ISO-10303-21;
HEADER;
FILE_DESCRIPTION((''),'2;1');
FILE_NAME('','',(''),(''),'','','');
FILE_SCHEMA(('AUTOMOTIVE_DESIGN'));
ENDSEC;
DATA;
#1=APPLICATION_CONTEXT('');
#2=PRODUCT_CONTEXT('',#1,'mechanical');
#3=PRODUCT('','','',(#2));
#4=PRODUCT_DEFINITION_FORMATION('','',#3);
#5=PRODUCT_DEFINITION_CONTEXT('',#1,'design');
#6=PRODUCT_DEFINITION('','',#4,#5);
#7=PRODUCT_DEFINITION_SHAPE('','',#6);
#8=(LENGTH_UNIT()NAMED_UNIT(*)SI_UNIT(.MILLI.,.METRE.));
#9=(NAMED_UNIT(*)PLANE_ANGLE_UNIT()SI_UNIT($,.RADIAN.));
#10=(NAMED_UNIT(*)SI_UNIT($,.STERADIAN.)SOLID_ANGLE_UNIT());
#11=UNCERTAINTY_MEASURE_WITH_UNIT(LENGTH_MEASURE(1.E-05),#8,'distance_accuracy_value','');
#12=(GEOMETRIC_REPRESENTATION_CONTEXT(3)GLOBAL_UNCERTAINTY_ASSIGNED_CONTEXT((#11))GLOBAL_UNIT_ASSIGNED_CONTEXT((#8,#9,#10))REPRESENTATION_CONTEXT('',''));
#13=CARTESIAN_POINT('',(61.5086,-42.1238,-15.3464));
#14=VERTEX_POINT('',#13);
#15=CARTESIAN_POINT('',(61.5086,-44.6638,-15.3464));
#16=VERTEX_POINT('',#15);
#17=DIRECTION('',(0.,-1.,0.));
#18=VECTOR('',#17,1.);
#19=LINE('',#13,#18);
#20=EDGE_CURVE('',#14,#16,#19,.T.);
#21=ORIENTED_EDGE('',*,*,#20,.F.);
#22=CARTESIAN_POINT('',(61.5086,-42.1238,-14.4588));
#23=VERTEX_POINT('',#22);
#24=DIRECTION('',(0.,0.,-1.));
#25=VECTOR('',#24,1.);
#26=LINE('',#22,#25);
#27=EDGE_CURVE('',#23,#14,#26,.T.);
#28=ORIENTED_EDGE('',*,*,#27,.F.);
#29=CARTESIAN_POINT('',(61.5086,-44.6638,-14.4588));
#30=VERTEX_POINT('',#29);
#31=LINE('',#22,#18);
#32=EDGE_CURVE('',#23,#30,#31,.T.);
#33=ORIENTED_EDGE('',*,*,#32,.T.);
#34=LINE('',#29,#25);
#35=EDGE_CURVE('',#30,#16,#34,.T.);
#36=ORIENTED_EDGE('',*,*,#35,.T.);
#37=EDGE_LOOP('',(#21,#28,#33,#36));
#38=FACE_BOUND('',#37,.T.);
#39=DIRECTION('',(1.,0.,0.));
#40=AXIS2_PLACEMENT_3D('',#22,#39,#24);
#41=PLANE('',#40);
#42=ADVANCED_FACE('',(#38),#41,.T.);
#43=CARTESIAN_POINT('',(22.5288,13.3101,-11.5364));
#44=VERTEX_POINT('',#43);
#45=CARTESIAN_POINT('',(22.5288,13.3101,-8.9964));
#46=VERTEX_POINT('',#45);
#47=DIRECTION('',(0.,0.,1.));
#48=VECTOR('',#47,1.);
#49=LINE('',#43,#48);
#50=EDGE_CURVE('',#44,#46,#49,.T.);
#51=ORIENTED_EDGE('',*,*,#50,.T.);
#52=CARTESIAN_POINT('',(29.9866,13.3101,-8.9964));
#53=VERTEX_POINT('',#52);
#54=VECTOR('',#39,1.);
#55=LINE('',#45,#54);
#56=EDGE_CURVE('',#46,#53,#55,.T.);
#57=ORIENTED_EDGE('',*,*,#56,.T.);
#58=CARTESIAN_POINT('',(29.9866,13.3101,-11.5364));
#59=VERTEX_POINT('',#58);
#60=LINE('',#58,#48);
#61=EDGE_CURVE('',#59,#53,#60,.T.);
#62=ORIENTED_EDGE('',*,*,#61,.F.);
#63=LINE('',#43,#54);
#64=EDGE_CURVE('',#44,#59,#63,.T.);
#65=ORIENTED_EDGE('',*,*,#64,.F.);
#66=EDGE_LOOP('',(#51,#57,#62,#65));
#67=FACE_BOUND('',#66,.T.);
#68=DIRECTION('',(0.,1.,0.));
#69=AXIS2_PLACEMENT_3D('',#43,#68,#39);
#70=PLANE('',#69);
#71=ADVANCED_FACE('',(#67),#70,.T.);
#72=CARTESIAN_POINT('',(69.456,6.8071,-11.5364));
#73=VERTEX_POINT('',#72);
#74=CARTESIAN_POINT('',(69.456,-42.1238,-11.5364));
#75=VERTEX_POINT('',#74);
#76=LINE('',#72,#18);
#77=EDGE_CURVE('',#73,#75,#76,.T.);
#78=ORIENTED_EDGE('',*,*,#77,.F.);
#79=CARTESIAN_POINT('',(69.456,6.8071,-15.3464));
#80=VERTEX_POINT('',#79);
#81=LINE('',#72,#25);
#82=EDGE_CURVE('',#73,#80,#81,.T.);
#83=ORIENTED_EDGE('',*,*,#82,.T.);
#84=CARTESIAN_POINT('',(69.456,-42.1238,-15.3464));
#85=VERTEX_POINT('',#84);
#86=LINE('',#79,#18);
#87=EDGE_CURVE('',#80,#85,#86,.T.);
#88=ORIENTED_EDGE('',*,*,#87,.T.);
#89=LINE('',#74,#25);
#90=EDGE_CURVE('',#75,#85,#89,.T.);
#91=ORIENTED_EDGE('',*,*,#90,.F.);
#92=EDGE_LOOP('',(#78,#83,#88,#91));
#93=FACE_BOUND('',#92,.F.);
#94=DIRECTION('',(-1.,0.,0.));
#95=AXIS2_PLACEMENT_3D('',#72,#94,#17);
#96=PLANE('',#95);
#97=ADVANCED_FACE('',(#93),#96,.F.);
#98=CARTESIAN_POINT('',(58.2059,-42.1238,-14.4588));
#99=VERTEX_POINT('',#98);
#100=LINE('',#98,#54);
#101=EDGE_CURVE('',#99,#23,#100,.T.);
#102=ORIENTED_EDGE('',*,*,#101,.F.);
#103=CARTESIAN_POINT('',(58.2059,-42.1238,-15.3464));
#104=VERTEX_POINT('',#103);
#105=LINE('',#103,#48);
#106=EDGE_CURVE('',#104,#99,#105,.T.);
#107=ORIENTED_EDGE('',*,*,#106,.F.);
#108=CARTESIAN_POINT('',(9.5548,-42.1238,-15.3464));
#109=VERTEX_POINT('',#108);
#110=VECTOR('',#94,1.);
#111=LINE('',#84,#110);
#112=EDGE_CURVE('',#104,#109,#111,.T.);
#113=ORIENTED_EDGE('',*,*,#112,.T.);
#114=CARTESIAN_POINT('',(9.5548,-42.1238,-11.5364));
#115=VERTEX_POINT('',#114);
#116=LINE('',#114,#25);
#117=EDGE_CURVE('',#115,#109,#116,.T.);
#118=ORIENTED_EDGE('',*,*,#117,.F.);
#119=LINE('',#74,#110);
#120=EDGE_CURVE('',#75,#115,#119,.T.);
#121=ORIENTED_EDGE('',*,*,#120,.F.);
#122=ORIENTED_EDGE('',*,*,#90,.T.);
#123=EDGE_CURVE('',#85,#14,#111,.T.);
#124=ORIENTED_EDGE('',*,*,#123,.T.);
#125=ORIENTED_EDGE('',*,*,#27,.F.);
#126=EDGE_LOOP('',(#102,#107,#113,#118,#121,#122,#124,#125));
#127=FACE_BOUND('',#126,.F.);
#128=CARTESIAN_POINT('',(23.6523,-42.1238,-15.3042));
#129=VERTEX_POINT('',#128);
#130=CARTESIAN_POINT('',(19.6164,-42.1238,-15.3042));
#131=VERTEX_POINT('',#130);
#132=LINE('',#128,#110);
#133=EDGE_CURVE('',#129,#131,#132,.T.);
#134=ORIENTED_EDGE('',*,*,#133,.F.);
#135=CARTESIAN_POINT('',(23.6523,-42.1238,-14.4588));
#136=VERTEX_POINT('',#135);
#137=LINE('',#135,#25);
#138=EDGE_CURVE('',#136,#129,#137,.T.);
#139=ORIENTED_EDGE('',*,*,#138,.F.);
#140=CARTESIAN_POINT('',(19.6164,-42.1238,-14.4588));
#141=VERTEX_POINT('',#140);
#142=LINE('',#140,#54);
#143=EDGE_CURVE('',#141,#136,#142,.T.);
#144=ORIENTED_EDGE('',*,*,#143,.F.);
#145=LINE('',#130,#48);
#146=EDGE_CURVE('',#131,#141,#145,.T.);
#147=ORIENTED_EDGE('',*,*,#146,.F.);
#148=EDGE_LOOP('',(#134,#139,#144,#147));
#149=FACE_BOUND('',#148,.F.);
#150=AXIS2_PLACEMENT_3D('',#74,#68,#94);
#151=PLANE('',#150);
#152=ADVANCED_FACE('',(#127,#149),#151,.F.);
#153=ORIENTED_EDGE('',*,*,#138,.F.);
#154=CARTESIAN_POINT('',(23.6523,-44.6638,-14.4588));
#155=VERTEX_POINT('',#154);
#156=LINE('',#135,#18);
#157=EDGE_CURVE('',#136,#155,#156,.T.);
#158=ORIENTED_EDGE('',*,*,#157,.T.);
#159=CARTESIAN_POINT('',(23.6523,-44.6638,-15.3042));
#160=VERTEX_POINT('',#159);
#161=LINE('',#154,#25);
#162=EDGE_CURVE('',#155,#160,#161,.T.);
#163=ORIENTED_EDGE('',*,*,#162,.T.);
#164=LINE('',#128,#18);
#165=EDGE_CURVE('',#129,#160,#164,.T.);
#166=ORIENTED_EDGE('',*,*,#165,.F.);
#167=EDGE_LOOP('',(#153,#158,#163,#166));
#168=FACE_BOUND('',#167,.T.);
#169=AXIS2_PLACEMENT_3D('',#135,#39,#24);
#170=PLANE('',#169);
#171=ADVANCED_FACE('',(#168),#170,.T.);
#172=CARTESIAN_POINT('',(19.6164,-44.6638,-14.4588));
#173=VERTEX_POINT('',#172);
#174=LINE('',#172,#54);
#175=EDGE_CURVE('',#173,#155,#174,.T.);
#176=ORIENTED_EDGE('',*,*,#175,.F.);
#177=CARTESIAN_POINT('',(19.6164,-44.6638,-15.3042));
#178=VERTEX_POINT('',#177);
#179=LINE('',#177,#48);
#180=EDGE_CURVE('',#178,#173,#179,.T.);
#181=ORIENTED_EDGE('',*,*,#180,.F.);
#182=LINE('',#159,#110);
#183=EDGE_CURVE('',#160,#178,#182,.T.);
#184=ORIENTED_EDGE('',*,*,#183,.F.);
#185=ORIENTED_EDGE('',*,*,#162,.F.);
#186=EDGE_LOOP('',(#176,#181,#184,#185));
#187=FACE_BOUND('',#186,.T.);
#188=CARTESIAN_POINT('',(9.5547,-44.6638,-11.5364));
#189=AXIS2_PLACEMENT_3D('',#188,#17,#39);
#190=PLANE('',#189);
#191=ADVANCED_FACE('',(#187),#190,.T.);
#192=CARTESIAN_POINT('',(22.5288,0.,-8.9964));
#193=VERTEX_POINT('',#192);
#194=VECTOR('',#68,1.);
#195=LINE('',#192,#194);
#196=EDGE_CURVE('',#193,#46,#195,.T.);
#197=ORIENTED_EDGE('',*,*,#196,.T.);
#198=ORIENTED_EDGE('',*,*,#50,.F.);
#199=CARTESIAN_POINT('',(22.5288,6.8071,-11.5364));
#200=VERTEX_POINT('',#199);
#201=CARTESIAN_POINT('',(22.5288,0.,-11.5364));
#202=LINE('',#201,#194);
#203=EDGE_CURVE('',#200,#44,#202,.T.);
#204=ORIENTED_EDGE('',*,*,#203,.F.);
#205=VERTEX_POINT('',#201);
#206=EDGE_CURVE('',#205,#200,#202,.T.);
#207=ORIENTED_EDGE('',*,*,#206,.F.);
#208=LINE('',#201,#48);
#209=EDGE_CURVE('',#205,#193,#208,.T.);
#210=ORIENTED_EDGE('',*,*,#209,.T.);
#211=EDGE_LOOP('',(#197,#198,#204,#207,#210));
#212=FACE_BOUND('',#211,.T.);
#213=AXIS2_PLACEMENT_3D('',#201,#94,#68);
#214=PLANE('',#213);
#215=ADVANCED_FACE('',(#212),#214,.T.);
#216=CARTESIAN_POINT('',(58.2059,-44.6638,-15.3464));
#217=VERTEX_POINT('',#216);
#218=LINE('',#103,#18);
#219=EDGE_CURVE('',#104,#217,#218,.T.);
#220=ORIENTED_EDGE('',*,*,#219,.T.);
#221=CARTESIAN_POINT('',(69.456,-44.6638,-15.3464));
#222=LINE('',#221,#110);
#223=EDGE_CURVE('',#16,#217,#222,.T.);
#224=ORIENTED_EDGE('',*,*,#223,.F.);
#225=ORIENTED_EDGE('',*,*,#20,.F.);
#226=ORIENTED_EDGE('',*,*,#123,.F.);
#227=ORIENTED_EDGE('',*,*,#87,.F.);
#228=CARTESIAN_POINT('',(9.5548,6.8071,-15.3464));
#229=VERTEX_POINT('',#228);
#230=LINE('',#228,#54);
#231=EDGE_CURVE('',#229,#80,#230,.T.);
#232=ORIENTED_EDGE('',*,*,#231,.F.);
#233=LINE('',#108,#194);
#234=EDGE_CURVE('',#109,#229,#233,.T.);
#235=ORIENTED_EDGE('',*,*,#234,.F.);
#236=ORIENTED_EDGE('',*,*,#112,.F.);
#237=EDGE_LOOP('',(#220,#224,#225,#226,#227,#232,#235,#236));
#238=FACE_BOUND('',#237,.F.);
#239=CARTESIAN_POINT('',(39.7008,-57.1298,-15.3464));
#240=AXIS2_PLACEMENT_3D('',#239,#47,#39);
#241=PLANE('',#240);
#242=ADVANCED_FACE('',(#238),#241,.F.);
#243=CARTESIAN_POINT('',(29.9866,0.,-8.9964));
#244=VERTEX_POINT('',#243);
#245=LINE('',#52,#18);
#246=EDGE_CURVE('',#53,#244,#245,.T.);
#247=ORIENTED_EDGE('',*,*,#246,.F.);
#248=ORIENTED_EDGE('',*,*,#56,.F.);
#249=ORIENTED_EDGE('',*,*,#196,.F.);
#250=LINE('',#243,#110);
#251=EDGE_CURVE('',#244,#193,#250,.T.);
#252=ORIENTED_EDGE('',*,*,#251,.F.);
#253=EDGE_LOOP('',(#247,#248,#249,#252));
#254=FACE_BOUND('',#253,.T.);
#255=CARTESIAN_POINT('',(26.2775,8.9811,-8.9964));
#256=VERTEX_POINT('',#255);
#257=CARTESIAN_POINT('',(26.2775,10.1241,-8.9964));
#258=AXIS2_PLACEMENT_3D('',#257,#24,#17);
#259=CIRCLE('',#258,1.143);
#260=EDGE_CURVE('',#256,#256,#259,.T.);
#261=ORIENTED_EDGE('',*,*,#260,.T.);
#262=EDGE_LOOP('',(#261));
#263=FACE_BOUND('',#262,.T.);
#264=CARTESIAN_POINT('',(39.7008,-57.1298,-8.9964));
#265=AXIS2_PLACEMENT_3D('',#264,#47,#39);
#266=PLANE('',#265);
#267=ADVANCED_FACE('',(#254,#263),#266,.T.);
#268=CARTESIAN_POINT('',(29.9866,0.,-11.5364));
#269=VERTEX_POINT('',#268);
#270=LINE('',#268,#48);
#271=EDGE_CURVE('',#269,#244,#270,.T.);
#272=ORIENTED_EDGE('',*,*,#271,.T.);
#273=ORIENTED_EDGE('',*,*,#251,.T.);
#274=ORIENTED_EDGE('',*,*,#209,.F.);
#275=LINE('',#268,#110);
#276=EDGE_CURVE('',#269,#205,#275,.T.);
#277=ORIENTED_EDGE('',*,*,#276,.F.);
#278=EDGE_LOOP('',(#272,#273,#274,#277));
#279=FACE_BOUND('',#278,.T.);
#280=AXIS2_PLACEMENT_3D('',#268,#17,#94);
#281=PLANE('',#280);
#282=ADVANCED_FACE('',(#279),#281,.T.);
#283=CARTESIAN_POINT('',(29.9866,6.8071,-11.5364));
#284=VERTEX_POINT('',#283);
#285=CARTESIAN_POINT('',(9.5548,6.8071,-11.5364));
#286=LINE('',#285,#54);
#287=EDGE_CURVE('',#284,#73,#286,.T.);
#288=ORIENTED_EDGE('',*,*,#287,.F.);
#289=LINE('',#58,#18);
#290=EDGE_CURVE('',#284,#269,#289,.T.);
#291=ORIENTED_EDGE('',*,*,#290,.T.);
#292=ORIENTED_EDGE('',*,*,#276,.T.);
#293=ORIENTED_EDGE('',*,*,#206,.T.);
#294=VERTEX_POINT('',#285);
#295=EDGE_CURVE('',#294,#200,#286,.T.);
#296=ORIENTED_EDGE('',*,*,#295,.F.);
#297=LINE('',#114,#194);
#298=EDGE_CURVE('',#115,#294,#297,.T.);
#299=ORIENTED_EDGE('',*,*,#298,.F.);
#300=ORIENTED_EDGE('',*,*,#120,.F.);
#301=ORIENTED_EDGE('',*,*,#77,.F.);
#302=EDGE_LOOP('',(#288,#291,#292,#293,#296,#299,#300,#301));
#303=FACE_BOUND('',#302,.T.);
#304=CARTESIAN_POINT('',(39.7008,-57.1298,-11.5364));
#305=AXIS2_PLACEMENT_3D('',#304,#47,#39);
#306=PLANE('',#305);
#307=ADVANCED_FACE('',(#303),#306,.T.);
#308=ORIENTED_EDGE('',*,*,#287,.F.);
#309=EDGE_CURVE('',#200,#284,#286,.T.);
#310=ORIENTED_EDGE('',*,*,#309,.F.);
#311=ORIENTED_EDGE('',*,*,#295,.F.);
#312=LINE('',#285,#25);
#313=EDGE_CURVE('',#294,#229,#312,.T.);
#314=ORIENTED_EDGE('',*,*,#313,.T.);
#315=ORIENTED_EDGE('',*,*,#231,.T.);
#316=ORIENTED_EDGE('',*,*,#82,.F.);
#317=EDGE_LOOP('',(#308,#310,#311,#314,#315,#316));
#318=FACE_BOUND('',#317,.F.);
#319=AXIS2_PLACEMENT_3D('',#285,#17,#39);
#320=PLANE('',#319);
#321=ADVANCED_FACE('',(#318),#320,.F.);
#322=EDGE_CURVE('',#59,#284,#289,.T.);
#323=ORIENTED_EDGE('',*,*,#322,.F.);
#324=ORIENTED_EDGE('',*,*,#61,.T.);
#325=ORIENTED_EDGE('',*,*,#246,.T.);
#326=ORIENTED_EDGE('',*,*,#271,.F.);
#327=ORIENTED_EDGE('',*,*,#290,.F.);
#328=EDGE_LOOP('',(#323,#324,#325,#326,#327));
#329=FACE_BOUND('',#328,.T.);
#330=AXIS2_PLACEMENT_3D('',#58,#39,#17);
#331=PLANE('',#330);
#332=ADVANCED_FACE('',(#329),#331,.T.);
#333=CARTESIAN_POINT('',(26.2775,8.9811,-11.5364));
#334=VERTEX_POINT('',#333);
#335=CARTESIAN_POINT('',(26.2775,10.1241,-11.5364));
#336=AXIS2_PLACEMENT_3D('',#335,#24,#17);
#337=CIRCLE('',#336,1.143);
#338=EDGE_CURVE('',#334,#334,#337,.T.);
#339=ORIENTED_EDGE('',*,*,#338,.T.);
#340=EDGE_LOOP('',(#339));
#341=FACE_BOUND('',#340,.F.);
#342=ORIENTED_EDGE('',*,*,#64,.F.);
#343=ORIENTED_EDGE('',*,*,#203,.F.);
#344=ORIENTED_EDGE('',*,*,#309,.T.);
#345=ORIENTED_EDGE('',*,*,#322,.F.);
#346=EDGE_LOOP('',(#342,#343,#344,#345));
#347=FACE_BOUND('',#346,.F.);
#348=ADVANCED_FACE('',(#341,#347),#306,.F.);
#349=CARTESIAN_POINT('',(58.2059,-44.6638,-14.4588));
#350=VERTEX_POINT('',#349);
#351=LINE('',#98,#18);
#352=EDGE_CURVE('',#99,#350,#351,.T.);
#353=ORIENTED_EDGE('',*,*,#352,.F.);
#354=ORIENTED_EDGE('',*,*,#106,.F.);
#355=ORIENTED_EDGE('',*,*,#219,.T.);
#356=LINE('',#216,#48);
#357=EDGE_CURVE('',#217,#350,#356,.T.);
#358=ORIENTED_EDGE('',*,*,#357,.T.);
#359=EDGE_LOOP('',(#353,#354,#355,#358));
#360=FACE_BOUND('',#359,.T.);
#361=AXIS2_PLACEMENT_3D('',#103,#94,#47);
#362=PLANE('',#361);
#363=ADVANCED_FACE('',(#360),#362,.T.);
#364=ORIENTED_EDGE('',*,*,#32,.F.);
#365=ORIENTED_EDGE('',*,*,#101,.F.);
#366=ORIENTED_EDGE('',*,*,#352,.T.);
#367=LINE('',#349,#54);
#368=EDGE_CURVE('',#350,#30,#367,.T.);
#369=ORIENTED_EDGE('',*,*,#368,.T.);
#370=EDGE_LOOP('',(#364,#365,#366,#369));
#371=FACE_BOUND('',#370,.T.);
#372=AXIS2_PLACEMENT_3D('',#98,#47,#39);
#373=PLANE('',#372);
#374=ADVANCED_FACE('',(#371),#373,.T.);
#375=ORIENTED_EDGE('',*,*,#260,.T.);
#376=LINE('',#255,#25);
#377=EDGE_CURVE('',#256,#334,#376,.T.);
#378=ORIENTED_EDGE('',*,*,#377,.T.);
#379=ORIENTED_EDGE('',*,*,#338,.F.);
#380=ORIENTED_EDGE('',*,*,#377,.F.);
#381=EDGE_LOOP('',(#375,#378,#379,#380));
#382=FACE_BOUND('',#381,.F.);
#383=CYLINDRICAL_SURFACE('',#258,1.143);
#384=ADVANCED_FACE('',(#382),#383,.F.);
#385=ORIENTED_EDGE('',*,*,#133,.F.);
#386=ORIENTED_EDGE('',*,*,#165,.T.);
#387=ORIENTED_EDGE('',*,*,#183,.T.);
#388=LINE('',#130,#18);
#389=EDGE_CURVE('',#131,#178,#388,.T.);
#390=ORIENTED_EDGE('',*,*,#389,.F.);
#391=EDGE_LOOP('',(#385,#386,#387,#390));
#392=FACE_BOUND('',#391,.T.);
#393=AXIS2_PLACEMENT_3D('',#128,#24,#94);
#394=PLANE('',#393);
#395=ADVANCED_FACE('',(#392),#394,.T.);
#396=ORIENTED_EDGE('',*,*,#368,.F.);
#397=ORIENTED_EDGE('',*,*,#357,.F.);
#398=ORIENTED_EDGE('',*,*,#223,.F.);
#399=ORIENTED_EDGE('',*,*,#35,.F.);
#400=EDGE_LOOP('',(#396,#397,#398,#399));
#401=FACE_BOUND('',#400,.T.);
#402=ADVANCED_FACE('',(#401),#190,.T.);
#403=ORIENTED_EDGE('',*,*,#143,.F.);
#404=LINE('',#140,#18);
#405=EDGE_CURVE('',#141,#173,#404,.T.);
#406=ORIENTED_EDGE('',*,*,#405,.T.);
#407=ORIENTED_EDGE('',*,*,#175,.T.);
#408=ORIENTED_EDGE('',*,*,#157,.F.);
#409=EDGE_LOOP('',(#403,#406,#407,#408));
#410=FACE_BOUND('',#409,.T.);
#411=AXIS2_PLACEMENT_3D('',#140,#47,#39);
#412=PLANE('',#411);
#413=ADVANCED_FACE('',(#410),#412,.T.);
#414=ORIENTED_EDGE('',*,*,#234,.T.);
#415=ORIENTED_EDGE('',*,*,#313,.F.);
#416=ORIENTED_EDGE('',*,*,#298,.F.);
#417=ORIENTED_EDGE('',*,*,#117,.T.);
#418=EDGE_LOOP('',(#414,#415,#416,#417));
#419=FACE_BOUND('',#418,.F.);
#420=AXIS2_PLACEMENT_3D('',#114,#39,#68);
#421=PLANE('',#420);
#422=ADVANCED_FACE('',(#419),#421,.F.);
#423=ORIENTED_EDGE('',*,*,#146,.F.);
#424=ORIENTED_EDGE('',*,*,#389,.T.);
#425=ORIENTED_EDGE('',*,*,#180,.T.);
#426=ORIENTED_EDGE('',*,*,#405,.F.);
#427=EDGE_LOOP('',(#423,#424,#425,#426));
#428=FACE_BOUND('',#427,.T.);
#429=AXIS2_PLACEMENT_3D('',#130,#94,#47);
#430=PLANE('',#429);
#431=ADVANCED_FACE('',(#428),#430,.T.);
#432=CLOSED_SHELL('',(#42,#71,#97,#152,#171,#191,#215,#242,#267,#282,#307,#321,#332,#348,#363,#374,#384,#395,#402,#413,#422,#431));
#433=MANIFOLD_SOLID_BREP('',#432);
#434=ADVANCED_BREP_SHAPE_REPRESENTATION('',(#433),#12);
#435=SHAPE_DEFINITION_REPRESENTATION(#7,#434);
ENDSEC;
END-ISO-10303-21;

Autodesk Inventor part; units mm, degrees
ref_plane "YZ Plane" through (0, 0, 0) normal (1, 0, 0) x (0, 1, 0)
ref_plane "XZ Plane" through (0, 0, 0) normal (0, 1, 0) x (-1, 0, 0)
ref_plane "XY Plane" through (0, 0, 0) normal (0, 0, 1) x (1, 0, 0)
ref_plane "Work Plane6" through (39.7008, -57.1298, -11.5364) normal (0, 0, 1) x (1, 0, 0)
sketch "Sketch1" plane through (39.7008, -57.1298, -11.5364) normal (0, 0, 1) x (1, 0, 0)
  line L0 (-30.146, 63.9369) -> (29.7552, 63.9369)
  line L1 (29.7552, 63.9369) -> (29.7552, 15.006)
  line L2 (29.7552, 15.006) -> (-30.146, 15.006)
  line L3 (-30.146, 15.006) -> (-30.146, 63.9369)
  point P0 (-39.7008, 57.1298)
extrude "Extrusion1" add sketch "Sketch1" against normal blind 3.81
ref_plane "Work Plane5" through (9.5547, -42.1238, -11.5364) normal (0, -1, 0) x (1, 0, 0)
sketch "Sketch4" plane through (9.5547, -42.1238, -11.5364) normal (0, -1, 0) x (1, 0, 0)
  line L0 (59.9013, -3.81) -> (0, -3.81) projected
  line L1 (51.9539, -3.81) -> (48.6512, -3.81)
  line L2 (48.6512, -3.81) -> (48.6512, -2.9224)
  line L3 (48.6512, -2.9224) -> (51.9539, -2.9224)
  line L4 (51.9539, -2.9224) -> (51.9539, -3.81)
  line L5 (14.0976, -3.7678) -> (10.0617, -3.7678)
  line L6 (10.0617, -3.7678) -> (10.0617, -2.9224)
  line L7 (10.0617, -2.9224) -> (14.0976, -2.9224)
  line L8 (14.0976, -2.9224) -> (14.0976, -3.7678)
  point P0 (-9.5547, 11.5364)
  point P1 (48.6512, -3.81)
extrude "Extrusion2" add sketch "Sketch4" along normal blind 2.54
sketch "Sketch5" plane through (39.7008, -57.1298, -11.5364) normal (0, 0, 1) x (1, 0, 0)
  line L0 (-17.172, 70.4399) -> (-9.7142, 70.4399)
  line L1 (-9.7142, 70.4399) -> (-9.7142, 57.1298)
  line L2 (-9.7142, 57.1298) -> (-17.172, 57.1298)
  line L3 (-17.172, 57.1298) -> (-17.172, 70.4399)
  point P0 (-39.7008, 57.1298)
extrude "Extrusion3" add sketch "Sketch5" along normal blind 2.54
sketch "Sketch6" plane through (39.7008, -57.1298, -8.9964) normal (0, 0, 1) x (1, 0, 0)
  point P0 (-39.7008, 57.1298)
  point P1 (-13.4232, 67.2539)
hole "Hole1" at (26.2775, 10.1241, -8.9964) direction (0, 0, -1) diameter 2.286 end through all
properties part number "batteryFlap"
